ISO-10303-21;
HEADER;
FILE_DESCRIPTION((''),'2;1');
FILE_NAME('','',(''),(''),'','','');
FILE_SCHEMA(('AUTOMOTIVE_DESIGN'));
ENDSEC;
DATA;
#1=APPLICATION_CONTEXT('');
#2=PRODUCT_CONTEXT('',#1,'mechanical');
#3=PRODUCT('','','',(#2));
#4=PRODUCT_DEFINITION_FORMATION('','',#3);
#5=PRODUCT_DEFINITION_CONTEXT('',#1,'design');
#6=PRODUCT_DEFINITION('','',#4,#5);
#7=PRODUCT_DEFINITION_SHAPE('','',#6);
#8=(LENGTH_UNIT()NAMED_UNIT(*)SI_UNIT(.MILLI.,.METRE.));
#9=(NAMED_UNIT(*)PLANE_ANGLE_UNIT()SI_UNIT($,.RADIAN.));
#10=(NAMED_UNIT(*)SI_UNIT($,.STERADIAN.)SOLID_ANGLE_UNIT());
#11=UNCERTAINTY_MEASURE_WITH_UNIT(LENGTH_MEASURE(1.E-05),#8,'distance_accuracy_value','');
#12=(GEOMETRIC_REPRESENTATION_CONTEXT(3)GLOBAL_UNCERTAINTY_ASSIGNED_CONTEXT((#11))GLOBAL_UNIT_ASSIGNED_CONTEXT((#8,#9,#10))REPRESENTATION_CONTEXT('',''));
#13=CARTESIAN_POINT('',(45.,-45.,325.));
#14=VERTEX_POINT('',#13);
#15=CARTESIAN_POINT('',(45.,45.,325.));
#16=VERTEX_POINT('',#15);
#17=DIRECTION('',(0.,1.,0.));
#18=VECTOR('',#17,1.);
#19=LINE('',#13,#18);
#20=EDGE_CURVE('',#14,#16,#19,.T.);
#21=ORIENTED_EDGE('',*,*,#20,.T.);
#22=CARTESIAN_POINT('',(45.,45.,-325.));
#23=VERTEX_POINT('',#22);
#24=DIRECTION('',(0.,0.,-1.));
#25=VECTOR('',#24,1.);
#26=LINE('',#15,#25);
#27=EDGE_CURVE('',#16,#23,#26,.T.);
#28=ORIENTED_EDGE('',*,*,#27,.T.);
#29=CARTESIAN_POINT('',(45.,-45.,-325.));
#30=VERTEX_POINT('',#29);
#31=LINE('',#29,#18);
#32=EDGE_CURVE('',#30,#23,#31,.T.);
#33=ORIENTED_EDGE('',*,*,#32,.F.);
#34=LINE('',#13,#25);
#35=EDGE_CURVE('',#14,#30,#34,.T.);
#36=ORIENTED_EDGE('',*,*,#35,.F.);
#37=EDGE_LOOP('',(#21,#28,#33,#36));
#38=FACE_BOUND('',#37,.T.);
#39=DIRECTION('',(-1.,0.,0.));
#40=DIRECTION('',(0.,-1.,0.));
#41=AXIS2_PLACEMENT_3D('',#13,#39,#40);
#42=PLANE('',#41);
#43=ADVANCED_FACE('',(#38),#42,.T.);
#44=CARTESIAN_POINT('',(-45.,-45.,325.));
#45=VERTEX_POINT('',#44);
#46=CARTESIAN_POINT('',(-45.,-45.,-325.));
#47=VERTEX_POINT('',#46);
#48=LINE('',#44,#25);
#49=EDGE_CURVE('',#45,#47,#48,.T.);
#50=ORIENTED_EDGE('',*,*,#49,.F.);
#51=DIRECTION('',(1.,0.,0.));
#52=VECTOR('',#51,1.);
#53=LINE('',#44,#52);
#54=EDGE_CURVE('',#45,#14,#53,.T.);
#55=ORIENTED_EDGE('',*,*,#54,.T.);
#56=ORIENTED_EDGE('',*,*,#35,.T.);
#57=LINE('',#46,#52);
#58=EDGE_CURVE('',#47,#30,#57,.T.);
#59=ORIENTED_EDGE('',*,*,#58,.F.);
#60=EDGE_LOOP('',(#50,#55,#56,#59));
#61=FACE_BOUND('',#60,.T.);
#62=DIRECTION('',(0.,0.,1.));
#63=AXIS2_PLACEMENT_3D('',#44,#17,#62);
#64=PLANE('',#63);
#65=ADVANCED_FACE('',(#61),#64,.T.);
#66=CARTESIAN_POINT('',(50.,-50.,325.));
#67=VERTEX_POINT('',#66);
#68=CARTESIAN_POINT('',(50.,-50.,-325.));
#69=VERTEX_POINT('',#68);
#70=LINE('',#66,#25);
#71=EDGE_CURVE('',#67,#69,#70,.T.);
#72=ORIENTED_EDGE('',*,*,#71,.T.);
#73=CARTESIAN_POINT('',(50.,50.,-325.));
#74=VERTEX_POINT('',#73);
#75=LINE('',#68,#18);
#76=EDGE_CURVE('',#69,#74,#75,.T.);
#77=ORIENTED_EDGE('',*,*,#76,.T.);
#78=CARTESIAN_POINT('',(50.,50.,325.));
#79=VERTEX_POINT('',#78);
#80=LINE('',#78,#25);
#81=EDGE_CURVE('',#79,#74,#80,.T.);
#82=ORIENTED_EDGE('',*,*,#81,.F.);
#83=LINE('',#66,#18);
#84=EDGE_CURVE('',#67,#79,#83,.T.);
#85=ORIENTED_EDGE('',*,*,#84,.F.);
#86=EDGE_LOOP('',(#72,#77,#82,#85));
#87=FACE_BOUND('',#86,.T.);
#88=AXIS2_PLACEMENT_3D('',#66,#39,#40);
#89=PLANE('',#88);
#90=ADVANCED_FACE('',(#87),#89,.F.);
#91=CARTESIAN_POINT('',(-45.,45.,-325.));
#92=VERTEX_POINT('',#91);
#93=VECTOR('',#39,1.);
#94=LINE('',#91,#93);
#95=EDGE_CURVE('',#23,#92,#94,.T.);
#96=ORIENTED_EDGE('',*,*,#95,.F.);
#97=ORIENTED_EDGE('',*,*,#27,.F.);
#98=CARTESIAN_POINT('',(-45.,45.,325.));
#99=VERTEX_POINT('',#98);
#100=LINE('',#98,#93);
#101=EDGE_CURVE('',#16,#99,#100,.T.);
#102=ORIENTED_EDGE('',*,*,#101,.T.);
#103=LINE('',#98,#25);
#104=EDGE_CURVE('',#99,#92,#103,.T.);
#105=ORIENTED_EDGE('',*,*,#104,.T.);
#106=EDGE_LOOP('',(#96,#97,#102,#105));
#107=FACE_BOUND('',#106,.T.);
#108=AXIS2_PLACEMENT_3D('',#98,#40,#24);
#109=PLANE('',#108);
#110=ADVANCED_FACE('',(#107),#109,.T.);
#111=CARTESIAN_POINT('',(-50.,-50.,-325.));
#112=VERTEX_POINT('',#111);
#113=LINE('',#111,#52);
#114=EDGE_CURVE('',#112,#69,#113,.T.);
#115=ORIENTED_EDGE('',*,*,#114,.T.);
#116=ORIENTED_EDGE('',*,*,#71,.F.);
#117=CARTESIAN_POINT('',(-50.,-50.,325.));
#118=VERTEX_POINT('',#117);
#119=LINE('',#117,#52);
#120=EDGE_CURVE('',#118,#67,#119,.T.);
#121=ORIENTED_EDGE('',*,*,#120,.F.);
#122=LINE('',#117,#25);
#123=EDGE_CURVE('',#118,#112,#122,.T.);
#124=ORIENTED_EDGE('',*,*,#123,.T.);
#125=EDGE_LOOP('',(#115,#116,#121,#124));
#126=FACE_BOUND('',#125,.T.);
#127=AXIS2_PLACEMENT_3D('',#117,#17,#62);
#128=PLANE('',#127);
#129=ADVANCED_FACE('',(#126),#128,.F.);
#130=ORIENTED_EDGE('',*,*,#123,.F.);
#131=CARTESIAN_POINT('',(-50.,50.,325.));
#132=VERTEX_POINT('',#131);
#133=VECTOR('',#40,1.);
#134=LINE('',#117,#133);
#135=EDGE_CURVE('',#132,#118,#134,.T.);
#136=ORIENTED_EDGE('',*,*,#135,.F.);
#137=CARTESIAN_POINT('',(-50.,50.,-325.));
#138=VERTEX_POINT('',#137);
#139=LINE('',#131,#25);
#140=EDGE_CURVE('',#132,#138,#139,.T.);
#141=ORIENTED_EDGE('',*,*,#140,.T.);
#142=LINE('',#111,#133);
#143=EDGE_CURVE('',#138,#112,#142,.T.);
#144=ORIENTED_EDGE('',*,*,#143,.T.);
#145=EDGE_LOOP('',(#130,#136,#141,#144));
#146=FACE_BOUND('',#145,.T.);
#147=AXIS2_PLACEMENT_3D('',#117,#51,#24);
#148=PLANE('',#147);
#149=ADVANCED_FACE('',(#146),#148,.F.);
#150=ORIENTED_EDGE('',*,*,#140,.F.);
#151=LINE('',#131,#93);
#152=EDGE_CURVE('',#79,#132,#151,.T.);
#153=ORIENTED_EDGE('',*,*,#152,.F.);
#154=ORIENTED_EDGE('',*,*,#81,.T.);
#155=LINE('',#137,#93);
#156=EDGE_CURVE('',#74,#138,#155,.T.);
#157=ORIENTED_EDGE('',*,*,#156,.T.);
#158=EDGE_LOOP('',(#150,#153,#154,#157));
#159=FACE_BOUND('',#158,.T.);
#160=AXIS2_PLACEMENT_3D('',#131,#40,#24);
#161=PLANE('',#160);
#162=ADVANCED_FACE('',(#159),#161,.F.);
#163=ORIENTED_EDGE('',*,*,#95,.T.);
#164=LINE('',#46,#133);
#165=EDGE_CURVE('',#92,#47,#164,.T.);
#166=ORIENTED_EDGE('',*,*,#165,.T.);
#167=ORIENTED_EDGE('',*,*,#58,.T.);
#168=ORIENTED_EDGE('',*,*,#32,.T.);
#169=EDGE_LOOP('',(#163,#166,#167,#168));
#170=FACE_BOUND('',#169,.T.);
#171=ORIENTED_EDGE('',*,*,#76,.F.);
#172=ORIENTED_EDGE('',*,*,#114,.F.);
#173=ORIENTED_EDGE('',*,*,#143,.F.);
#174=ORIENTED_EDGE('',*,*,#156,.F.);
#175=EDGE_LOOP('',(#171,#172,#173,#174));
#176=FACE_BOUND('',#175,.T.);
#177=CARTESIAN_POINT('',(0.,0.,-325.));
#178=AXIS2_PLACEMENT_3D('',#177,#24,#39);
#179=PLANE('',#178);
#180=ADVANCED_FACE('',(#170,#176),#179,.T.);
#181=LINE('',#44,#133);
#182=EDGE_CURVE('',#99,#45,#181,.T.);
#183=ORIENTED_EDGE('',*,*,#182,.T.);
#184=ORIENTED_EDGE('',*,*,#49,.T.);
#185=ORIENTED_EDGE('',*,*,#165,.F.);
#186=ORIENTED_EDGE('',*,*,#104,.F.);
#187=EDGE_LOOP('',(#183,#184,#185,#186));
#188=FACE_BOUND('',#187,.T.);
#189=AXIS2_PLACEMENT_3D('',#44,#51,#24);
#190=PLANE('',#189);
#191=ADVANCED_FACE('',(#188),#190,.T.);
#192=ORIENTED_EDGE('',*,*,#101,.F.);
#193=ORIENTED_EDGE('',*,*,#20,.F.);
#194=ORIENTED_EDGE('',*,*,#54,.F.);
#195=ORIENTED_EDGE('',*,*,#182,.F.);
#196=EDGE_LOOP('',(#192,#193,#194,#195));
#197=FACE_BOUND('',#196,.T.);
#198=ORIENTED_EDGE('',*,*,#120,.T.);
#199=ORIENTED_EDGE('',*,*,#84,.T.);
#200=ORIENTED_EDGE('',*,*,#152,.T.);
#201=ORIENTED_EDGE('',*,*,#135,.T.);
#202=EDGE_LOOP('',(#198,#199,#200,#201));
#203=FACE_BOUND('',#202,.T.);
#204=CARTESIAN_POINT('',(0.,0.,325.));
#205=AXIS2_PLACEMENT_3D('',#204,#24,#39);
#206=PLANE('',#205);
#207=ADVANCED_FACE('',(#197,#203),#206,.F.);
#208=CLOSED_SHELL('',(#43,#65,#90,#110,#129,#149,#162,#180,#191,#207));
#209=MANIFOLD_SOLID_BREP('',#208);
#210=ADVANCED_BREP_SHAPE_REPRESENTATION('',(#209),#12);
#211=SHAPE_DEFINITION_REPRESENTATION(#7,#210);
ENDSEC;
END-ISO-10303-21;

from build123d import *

# Parameters (mm, degrees)
SKETCH1_W           = 100
SKETCH1_H           = 100
SKETCH1_W_2         = 90
SKETCH1_H_2         = 90
BOSS_EXTRUDE1_DEPTH = 325


with BuildPart() as part:
    # Sketch1 → Boss-Extrude1 (new body, symmetric)
    with BuildSketch(Plane.XY):
        Rectangle(SKETCH1_W, SKETCH1_H)
        Rectangle(SKETCH1_W_2, SKETCH1_H_2, mode=Mode.SUBTRACT)
    extrude(amount=BOSS_EXTRUDE1_DEPTH, both=True)


solid = part.part
